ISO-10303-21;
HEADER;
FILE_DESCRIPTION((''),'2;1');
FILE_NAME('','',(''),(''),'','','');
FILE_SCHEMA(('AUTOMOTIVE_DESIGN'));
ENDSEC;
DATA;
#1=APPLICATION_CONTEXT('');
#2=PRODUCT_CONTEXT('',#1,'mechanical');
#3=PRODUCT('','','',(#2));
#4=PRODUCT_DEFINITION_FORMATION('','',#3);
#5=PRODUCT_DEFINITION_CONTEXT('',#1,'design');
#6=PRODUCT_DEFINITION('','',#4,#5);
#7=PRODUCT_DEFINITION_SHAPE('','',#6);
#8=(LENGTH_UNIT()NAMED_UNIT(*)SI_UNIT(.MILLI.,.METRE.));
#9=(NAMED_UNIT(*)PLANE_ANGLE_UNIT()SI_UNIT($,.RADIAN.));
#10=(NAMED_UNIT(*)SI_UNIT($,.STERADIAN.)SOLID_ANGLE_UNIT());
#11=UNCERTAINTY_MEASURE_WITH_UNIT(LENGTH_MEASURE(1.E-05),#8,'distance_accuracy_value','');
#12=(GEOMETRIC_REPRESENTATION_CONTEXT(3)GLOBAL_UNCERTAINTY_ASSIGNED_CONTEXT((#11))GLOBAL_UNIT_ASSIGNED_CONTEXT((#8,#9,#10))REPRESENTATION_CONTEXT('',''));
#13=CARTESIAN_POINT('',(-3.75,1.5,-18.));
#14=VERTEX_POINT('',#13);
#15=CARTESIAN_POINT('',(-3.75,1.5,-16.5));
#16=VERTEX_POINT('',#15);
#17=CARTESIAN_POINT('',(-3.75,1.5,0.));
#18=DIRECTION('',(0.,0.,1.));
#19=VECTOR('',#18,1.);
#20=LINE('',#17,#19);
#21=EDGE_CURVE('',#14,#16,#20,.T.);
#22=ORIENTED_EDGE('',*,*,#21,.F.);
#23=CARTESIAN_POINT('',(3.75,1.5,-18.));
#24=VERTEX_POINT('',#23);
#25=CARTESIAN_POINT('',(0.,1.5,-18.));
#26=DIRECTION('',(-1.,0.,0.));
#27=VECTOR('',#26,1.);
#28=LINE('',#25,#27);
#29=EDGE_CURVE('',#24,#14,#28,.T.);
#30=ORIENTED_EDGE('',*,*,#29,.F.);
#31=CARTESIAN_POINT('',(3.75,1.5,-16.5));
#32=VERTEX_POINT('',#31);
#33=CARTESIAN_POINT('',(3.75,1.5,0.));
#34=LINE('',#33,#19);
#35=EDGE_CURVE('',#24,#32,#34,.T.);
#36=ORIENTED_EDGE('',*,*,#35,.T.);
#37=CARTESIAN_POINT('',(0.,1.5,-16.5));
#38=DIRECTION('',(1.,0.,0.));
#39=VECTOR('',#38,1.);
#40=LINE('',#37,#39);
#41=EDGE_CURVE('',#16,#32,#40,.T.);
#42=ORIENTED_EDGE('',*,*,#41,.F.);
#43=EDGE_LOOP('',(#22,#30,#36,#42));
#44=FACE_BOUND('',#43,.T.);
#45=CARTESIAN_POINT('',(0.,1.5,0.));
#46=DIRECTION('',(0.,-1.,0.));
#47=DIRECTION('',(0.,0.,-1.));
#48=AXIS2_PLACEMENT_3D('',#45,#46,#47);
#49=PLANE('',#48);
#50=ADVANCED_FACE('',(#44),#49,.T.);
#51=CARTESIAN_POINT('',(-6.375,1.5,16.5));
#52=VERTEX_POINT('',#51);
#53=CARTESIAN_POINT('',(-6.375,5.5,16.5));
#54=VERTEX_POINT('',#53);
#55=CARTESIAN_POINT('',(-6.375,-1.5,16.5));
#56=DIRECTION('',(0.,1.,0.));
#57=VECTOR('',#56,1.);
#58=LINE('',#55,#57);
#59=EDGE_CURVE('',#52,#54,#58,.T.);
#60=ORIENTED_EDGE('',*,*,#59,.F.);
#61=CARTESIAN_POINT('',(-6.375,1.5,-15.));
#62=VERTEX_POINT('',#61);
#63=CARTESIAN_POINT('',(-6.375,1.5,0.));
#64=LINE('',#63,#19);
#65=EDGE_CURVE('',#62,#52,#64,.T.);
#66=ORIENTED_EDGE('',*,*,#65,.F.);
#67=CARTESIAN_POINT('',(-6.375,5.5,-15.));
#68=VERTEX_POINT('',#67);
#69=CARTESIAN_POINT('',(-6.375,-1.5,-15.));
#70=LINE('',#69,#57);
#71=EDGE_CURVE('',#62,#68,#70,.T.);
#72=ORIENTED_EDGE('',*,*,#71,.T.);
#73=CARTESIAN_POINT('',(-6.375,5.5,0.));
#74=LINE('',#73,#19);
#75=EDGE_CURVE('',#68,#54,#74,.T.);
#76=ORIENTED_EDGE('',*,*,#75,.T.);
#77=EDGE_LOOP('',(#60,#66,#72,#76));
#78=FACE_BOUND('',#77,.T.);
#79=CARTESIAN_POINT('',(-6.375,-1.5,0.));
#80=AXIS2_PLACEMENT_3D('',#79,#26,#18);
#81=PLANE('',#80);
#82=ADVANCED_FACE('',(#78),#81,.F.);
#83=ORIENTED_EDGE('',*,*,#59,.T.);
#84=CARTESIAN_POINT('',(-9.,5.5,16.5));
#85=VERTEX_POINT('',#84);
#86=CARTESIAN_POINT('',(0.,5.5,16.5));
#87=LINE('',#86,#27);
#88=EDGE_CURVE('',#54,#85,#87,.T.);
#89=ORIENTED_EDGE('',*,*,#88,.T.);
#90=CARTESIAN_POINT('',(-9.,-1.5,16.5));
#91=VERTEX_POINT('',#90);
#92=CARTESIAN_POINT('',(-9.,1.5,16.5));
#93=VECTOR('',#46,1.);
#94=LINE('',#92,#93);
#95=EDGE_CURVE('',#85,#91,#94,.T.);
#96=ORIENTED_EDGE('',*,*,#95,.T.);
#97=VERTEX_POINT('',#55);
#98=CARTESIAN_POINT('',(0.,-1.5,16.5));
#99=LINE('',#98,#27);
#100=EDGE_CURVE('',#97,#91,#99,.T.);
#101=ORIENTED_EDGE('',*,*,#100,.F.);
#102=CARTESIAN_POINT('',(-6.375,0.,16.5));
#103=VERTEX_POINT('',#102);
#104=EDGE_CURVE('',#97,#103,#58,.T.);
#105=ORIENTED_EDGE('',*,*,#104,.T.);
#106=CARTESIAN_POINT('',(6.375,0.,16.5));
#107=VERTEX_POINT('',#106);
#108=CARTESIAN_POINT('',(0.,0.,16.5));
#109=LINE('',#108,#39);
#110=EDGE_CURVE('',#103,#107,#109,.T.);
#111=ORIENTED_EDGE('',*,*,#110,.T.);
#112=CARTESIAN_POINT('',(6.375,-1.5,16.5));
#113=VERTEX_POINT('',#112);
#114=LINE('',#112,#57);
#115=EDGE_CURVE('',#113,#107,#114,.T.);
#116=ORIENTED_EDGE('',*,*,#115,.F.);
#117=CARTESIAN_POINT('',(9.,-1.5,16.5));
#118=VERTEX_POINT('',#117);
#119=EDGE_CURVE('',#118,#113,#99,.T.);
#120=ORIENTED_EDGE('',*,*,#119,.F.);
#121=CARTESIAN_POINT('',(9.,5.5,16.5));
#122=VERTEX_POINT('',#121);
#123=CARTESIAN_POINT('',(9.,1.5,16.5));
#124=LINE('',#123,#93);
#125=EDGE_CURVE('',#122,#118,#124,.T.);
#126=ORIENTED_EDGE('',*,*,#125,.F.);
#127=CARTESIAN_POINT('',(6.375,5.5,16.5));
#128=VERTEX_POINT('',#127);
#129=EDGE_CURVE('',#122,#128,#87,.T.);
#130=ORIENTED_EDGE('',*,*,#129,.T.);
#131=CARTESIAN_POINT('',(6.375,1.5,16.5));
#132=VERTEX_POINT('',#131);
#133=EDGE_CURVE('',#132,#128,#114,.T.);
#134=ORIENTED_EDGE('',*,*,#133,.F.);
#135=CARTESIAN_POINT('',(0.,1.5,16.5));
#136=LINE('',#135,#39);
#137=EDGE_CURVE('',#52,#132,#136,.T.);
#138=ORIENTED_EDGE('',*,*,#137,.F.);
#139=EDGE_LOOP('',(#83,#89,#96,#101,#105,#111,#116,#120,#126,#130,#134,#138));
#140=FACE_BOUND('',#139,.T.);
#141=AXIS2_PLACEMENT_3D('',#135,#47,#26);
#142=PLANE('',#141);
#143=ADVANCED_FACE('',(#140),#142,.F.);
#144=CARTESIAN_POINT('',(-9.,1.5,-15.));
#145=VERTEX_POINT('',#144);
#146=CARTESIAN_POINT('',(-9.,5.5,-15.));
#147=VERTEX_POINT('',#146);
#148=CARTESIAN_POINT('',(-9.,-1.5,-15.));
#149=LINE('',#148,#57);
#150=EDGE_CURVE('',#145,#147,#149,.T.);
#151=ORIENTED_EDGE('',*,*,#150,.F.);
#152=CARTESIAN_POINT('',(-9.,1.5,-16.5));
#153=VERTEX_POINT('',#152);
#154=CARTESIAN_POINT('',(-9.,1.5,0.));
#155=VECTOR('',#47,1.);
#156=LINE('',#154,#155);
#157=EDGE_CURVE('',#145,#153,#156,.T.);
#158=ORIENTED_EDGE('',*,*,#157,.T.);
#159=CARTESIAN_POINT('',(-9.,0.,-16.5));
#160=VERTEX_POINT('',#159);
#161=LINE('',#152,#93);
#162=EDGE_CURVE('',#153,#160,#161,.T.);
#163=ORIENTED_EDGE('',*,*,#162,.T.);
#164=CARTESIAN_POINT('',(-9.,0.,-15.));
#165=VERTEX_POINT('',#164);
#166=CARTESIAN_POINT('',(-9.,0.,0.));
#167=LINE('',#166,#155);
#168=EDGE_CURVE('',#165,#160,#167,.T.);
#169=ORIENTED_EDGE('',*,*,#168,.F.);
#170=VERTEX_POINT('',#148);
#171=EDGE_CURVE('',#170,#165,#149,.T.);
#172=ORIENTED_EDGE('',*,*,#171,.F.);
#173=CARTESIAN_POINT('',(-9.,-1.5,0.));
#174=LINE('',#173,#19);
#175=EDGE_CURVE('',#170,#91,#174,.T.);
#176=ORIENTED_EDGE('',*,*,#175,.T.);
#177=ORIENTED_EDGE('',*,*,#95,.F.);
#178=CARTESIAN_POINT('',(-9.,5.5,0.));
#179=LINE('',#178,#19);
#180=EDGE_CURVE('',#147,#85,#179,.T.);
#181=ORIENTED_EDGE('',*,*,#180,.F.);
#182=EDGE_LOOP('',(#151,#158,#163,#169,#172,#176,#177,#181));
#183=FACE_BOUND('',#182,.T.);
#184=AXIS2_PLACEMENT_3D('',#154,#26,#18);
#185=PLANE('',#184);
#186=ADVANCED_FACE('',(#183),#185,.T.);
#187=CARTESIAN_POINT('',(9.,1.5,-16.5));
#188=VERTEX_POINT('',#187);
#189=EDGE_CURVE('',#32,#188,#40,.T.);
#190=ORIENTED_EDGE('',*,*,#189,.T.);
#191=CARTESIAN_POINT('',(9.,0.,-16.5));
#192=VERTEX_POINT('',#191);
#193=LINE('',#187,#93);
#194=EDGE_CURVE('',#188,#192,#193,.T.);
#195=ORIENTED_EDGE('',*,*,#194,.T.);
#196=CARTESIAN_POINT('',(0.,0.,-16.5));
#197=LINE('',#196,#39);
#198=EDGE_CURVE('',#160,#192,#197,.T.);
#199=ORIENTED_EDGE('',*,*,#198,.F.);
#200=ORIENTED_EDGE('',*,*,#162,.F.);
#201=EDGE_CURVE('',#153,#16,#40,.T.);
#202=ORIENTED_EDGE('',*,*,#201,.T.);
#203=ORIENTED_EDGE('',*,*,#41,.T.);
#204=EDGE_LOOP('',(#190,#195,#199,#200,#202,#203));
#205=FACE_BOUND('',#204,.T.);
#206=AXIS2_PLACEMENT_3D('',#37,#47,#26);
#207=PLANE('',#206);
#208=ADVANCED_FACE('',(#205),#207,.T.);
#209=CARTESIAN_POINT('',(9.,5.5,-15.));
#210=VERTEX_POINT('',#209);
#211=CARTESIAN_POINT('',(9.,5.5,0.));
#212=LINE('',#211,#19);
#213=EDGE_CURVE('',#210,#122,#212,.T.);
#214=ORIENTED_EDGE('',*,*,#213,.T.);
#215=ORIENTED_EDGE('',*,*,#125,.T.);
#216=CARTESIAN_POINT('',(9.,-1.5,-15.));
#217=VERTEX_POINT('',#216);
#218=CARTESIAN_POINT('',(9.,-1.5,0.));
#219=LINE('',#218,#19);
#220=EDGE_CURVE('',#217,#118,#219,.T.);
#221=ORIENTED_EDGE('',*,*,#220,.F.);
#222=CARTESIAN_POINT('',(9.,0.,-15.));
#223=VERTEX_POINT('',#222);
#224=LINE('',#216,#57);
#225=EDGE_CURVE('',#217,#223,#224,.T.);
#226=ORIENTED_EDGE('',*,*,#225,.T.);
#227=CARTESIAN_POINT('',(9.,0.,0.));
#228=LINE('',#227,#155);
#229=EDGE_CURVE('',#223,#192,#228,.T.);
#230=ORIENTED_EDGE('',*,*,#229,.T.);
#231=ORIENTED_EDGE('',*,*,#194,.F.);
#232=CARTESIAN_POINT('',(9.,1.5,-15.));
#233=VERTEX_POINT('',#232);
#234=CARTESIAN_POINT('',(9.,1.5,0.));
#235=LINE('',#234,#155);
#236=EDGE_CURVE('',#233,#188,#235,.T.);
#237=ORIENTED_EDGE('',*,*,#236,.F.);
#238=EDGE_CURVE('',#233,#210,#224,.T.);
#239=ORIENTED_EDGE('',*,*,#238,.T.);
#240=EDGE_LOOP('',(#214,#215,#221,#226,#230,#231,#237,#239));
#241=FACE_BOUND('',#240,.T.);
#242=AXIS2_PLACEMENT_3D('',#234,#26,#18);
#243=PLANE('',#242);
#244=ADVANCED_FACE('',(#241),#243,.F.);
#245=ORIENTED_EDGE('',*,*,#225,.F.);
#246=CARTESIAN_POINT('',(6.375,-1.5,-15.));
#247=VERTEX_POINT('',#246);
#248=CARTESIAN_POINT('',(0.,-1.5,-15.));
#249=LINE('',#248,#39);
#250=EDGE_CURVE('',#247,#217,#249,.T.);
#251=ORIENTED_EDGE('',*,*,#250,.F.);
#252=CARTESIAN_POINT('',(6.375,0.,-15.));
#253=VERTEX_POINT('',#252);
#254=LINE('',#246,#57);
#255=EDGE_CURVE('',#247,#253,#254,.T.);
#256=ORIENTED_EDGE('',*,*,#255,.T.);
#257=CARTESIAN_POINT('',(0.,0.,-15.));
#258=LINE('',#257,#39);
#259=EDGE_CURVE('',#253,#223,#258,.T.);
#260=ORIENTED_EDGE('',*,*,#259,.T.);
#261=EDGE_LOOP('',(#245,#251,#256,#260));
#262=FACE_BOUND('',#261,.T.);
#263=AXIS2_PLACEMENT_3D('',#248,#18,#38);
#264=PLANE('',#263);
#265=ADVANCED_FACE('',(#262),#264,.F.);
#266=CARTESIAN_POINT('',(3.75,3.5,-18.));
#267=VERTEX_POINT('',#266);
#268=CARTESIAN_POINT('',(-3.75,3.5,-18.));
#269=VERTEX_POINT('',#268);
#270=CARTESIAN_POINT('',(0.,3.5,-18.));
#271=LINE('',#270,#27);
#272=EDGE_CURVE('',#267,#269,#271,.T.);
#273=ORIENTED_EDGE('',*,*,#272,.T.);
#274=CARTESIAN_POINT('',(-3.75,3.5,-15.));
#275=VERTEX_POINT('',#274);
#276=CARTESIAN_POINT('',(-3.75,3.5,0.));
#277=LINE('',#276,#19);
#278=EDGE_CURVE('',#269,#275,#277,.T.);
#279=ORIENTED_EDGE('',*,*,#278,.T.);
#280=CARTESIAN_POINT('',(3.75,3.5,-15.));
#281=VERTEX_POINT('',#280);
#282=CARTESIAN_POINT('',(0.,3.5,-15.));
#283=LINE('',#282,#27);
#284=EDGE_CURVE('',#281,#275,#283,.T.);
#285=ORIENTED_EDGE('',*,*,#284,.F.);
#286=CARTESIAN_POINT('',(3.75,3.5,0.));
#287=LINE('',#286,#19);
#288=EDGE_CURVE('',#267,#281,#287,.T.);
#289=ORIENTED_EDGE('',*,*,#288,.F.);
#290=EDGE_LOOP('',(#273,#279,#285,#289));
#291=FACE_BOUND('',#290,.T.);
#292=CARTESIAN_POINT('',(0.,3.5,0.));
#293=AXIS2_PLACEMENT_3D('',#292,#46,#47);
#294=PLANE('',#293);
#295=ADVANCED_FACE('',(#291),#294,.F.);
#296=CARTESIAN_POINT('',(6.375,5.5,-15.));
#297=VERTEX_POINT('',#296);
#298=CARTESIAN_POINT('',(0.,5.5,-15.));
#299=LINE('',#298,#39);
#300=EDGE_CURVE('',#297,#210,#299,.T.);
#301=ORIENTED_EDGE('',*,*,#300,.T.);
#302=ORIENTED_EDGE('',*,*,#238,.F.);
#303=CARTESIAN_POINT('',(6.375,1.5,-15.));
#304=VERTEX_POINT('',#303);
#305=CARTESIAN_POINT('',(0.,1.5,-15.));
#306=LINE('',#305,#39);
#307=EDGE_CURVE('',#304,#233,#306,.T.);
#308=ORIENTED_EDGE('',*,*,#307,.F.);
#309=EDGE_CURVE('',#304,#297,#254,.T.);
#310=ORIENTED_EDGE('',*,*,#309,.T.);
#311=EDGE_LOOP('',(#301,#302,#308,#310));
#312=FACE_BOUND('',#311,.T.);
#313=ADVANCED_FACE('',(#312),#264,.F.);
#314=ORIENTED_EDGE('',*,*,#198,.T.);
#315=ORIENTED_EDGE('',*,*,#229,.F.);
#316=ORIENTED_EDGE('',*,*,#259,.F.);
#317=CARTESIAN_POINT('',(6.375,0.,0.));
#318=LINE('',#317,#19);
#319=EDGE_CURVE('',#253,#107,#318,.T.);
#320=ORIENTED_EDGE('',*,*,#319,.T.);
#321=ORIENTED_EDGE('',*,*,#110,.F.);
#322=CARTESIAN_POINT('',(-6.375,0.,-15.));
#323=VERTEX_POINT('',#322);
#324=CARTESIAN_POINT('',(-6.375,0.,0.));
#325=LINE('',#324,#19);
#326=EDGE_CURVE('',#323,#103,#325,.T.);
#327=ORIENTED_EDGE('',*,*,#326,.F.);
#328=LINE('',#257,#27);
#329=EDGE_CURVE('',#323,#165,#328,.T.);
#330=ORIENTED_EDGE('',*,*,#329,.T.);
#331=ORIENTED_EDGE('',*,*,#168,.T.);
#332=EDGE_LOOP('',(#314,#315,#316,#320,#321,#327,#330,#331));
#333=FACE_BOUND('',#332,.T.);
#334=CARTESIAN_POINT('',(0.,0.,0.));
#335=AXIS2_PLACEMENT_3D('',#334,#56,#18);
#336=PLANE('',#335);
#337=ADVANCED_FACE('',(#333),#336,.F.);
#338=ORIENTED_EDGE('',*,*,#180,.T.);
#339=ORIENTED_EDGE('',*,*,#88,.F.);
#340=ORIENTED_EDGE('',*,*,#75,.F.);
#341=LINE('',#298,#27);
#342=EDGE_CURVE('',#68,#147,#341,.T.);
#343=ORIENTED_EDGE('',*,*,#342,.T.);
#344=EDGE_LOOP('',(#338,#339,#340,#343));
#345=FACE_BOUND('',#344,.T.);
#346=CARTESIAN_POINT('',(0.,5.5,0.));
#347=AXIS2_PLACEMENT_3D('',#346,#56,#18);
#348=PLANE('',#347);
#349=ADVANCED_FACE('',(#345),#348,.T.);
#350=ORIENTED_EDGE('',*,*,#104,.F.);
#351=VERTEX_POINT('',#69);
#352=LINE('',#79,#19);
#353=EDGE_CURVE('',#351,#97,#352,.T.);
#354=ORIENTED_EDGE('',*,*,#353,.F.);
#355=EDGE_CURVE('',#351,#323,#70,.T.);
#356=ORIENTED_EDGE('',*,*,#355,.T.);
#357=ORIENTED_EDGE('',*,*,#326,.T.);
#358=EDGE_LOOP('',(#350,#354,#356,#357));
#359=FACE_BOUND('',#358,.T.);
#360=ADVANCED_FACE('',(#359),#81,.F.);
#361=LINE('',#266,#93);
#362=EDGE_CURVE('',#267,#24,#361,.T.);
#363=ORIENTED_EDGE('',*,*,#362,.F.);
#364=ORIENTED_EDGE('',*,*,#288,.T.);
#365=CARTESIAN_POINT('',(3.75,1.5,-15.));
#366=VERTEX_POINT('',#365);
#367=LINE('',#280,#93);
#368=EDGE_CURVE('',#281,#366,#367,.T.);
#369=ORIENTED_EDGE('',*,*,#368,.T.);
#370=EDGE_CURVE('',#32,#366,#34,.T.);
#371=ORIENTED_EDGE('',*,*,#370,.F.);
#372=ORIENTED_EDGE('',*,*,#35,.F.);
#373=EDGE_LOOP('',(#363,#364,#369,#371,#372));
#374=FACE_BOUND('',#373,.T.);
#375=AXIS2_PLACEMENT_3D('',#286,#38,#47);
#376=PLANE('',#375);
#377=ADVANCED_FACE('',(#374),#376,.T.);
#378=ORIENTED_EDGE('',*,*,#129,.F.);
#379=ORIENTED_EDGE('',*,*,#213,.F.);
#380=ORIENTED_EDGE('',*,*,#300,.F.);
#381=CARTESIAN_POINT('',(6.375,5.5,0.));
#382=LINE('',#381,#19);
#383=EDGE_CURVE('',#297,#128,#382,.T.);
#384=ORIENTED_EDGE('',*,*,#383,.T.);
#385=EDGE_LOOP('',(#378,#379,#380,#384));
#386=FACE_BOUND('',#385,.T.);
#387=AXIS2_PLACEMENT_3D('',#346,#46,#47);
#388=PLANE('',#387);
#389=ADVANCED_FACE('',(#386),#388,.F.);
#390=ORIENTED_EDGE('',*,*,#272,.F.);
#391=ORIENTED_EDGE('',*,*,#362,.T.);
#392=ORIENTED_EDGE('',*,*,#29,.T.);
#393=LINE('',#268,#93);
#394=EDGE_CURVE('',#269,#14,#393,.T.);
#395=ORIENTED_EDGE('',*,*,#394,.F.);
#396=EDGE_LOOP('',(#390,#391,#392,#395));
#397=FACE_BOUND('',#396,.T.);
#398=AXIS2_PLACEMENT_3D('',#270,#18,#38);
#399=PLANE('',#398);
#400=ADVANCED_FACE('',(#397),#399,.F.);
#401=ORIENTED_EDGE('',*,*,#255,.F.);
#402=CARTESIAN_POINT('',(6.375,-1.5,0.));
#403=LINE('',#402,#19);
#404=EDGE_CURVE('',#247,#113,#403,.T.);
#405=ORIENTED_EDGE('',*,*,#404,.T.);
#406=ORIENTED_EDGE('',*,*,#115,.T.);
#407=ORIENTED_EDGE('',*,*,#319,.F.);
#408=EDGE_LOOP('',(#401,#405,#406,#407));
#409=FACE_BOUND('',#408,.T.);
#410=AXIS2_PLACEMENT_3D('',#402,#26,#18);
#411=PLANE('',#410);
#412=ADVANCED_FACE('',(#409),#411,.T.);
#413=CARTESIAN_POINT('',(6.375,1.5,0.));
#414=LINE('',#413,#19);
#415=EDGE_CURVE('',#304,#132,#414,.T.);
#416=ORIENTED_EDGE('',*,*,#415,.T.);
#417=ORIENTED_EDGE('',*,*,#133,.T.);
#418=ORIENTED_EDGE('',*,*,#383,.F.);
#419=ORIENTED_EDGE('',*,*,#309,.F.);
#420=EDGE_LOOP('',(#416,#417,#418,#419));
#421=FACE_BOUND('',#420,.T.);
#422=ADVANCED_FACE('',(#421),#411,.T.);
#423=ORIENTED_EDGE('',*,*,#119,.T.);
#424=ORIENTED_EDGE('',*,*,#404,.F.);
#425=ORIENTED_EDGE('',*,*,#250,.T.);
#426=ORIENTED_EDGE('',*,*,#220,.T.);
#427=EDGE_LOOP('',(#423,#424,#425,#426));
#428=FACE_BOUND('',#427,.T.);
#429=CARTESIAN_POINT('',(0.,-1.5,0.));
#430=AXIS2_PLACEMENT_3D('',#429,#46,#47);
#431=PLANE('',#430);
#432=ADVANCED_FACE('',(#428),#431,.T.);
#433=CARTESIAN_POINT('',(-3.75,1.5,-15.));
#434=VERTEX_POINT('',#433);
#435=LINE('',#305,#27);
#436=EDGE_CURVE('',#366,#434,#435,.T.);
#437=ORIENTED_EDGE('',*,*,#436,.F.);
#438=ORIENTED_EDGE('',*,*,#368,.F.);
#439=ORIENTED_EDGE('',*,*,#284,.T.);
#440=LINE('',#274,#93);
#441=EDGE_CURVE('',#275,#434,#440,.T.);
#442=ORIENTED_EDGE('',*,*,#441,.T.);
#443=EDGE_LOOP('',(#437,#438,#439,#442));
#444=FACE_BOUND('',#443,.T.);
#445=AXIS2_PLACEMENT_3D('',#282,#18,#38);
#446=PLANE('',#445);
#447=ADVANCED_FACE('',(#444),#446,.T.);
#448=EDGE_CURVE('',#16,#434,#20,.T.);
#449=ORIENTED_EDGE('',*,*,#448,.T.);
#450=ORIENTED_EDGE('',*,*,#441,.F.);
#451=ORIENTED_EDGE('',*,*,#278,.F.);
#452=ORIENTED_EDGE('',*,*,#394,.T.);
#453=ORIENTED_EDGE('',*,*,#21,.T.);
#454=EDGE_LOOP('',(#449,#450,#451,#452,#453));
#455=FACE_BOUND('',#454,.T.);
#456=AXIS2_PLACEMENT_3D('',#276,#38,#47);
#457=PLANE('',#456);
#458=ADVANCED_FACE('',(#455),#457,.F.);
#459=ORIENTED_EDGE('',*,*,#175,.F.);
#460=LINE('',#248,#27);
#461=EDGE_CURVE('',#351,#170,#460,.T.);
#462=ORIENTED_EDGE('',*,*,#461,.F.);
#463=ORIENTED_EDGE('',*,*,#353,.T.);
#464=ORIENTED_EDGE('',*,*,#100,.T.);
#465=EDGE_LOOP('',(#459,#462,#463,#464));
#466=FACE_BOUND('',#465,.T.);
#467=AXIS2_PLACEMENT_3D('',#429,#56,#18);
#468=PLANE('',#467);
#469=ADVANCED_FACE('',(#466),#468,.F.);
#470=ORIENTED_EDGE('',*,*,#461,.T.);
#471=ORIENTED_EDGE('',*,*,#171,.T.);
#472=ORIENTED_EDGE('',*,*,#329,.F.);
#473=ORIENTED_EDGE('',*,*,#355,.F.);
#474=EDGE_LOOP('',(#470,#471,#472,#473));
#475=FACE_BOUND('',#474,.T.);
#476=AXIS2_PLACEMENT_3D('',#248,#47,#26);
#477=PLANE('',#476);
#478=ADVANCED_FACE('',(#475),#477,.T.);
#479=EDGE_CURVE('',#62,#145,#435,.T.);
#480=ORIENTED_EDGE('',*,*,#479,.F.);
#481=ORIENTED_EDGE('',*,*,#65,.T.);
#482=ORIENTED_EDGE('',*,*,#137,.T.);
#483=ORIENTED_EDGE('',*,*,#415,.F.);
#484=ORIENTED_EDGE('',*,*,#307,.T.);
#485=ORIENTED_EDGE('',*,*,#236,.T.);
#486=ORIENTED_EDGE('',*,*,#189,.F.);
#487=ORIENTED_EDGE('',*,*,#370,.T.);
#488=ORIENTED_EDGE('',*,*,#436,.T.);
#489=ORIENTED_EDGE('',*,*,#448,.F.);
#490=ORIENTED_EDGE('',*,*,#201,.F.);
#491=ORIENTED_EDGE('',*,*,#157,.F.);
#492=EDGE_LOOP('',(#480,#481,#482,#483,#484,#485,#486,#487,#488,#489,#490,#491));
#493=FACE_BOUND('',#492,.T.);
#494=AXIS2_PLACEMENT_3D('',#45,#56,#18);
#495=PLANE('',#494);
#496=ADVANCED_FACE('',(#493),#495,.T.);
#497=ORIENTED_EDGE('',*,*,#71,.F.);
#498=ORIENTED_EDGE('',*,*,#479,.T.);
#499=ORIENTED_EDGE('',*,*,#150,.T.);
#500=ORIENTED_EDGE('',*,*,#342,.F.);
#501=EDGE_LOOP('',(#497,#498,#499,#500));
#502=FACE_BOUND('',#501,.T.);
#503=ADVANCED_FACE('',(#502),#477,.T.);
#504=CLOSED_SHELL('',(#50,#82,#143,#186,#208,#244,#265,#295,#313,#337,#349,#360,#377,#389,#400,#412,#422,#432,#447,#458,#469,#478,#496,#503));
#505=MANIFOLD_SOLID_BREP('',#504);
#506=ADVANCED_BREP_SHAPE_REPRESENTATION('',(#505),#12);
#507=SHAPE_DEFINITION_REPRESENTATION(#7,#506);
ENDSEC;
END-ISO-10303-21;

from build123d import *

# Parameters (mm, degrees)
SKETCH1_W                = 2.625
SKETCH1_H                = 31.5
SKETCH1_W_2              = 7.5
SKETCH1_H_2              = 1.5
BOSS_EXTRUDE1_DEPTH      = 1.5
BOSS_EXTRUDE2_START      = 1.5
SKETCH1_3_W              = 7.5
SKETCH1_3_H              = 3
BOSS_EXTRUDE2_DEPTH      = 2
BOSS_EXTRUDE3_DEPTH      = 4
BOSS_EXTRUDE3_DEPTH_BACK = 3
BOSS_EXTRUDE3_START      = 1.5
SKETCH1_4_W              = 2.625
SKETCH1_4_H              = 31.5


with BuildPart() as part:
    # Sketch1 → Boss-Extrude1 (new body)
    with BuildSketch(Plane(origin=(0, 0, 0), x_dir=(1, 0, 0), z_dir=(0, 1, 0))):
        Polygon((-6.375, 15), (-6.375, -16.5), (6.375, -16.5), (6.375, 15), (9, 15), (9, 16.5), (3.75, 16.5), (3.75, 15), (-3.75, 15), (-3.75, 16.5), (-9, 16.5), (-9, 15), align=None)
        with Locations((-7.6875, -0.75)):
            Rectangle(SKETCH1_W, SKETCH1_H)
        with Locations((7.6875, -0.75)):
            Rectangle(SKETCH1_W, SKETCH1_H)
        with Locations((0, 15.75)):
            Rectangle(SKETCH1_W_2, SKETCH1_H_2)
    extrude(amount=BOSS_EXTRUDE1_DEPTH)

    # Sketch1<3> → Boss-Extrude2 (add)
    with BuildSketch(Plane(origin=(0, 0, 0), x_dir=(1, 0, 0), z_dir=(0, 1, 0)).offset(BOSS_EXTRUDE2_START)):
        with Locations((0, 16.5)):
            Rectangle(SKETCH1_3_W, SKETCH1_3_H)
    extrude(amount=BOSS_EXTRUDE2_DEPTH)

    # Sketch1<4> → Boss-Extrude3 (add, two sides: drawn at the far end of the back side and taken through both)
    with BuildSketch(Plane(origin=(0, 0, 0), x_dir=(1, 0, 0), z_dir=(0, 1, 0)).offset(BOSS_EXTRUDE3_START - BOSS_EXTRUDE3_DEPTH_BACK)):
        with Locations((-7.6875, -0.75)):
            Rectangle(SKETCH1_4_W, SKETCH1_4_H)
        with Locations((7.6875, -0.75)):
            Rectangle(SKETCH1_4_W, SKETCH1_4_H)
    extrude(amount=BOSS_EXTRUDE3_DEPTH + BOSS_EXTRUDE3_DEPTH_BACK)


solid = part.part
